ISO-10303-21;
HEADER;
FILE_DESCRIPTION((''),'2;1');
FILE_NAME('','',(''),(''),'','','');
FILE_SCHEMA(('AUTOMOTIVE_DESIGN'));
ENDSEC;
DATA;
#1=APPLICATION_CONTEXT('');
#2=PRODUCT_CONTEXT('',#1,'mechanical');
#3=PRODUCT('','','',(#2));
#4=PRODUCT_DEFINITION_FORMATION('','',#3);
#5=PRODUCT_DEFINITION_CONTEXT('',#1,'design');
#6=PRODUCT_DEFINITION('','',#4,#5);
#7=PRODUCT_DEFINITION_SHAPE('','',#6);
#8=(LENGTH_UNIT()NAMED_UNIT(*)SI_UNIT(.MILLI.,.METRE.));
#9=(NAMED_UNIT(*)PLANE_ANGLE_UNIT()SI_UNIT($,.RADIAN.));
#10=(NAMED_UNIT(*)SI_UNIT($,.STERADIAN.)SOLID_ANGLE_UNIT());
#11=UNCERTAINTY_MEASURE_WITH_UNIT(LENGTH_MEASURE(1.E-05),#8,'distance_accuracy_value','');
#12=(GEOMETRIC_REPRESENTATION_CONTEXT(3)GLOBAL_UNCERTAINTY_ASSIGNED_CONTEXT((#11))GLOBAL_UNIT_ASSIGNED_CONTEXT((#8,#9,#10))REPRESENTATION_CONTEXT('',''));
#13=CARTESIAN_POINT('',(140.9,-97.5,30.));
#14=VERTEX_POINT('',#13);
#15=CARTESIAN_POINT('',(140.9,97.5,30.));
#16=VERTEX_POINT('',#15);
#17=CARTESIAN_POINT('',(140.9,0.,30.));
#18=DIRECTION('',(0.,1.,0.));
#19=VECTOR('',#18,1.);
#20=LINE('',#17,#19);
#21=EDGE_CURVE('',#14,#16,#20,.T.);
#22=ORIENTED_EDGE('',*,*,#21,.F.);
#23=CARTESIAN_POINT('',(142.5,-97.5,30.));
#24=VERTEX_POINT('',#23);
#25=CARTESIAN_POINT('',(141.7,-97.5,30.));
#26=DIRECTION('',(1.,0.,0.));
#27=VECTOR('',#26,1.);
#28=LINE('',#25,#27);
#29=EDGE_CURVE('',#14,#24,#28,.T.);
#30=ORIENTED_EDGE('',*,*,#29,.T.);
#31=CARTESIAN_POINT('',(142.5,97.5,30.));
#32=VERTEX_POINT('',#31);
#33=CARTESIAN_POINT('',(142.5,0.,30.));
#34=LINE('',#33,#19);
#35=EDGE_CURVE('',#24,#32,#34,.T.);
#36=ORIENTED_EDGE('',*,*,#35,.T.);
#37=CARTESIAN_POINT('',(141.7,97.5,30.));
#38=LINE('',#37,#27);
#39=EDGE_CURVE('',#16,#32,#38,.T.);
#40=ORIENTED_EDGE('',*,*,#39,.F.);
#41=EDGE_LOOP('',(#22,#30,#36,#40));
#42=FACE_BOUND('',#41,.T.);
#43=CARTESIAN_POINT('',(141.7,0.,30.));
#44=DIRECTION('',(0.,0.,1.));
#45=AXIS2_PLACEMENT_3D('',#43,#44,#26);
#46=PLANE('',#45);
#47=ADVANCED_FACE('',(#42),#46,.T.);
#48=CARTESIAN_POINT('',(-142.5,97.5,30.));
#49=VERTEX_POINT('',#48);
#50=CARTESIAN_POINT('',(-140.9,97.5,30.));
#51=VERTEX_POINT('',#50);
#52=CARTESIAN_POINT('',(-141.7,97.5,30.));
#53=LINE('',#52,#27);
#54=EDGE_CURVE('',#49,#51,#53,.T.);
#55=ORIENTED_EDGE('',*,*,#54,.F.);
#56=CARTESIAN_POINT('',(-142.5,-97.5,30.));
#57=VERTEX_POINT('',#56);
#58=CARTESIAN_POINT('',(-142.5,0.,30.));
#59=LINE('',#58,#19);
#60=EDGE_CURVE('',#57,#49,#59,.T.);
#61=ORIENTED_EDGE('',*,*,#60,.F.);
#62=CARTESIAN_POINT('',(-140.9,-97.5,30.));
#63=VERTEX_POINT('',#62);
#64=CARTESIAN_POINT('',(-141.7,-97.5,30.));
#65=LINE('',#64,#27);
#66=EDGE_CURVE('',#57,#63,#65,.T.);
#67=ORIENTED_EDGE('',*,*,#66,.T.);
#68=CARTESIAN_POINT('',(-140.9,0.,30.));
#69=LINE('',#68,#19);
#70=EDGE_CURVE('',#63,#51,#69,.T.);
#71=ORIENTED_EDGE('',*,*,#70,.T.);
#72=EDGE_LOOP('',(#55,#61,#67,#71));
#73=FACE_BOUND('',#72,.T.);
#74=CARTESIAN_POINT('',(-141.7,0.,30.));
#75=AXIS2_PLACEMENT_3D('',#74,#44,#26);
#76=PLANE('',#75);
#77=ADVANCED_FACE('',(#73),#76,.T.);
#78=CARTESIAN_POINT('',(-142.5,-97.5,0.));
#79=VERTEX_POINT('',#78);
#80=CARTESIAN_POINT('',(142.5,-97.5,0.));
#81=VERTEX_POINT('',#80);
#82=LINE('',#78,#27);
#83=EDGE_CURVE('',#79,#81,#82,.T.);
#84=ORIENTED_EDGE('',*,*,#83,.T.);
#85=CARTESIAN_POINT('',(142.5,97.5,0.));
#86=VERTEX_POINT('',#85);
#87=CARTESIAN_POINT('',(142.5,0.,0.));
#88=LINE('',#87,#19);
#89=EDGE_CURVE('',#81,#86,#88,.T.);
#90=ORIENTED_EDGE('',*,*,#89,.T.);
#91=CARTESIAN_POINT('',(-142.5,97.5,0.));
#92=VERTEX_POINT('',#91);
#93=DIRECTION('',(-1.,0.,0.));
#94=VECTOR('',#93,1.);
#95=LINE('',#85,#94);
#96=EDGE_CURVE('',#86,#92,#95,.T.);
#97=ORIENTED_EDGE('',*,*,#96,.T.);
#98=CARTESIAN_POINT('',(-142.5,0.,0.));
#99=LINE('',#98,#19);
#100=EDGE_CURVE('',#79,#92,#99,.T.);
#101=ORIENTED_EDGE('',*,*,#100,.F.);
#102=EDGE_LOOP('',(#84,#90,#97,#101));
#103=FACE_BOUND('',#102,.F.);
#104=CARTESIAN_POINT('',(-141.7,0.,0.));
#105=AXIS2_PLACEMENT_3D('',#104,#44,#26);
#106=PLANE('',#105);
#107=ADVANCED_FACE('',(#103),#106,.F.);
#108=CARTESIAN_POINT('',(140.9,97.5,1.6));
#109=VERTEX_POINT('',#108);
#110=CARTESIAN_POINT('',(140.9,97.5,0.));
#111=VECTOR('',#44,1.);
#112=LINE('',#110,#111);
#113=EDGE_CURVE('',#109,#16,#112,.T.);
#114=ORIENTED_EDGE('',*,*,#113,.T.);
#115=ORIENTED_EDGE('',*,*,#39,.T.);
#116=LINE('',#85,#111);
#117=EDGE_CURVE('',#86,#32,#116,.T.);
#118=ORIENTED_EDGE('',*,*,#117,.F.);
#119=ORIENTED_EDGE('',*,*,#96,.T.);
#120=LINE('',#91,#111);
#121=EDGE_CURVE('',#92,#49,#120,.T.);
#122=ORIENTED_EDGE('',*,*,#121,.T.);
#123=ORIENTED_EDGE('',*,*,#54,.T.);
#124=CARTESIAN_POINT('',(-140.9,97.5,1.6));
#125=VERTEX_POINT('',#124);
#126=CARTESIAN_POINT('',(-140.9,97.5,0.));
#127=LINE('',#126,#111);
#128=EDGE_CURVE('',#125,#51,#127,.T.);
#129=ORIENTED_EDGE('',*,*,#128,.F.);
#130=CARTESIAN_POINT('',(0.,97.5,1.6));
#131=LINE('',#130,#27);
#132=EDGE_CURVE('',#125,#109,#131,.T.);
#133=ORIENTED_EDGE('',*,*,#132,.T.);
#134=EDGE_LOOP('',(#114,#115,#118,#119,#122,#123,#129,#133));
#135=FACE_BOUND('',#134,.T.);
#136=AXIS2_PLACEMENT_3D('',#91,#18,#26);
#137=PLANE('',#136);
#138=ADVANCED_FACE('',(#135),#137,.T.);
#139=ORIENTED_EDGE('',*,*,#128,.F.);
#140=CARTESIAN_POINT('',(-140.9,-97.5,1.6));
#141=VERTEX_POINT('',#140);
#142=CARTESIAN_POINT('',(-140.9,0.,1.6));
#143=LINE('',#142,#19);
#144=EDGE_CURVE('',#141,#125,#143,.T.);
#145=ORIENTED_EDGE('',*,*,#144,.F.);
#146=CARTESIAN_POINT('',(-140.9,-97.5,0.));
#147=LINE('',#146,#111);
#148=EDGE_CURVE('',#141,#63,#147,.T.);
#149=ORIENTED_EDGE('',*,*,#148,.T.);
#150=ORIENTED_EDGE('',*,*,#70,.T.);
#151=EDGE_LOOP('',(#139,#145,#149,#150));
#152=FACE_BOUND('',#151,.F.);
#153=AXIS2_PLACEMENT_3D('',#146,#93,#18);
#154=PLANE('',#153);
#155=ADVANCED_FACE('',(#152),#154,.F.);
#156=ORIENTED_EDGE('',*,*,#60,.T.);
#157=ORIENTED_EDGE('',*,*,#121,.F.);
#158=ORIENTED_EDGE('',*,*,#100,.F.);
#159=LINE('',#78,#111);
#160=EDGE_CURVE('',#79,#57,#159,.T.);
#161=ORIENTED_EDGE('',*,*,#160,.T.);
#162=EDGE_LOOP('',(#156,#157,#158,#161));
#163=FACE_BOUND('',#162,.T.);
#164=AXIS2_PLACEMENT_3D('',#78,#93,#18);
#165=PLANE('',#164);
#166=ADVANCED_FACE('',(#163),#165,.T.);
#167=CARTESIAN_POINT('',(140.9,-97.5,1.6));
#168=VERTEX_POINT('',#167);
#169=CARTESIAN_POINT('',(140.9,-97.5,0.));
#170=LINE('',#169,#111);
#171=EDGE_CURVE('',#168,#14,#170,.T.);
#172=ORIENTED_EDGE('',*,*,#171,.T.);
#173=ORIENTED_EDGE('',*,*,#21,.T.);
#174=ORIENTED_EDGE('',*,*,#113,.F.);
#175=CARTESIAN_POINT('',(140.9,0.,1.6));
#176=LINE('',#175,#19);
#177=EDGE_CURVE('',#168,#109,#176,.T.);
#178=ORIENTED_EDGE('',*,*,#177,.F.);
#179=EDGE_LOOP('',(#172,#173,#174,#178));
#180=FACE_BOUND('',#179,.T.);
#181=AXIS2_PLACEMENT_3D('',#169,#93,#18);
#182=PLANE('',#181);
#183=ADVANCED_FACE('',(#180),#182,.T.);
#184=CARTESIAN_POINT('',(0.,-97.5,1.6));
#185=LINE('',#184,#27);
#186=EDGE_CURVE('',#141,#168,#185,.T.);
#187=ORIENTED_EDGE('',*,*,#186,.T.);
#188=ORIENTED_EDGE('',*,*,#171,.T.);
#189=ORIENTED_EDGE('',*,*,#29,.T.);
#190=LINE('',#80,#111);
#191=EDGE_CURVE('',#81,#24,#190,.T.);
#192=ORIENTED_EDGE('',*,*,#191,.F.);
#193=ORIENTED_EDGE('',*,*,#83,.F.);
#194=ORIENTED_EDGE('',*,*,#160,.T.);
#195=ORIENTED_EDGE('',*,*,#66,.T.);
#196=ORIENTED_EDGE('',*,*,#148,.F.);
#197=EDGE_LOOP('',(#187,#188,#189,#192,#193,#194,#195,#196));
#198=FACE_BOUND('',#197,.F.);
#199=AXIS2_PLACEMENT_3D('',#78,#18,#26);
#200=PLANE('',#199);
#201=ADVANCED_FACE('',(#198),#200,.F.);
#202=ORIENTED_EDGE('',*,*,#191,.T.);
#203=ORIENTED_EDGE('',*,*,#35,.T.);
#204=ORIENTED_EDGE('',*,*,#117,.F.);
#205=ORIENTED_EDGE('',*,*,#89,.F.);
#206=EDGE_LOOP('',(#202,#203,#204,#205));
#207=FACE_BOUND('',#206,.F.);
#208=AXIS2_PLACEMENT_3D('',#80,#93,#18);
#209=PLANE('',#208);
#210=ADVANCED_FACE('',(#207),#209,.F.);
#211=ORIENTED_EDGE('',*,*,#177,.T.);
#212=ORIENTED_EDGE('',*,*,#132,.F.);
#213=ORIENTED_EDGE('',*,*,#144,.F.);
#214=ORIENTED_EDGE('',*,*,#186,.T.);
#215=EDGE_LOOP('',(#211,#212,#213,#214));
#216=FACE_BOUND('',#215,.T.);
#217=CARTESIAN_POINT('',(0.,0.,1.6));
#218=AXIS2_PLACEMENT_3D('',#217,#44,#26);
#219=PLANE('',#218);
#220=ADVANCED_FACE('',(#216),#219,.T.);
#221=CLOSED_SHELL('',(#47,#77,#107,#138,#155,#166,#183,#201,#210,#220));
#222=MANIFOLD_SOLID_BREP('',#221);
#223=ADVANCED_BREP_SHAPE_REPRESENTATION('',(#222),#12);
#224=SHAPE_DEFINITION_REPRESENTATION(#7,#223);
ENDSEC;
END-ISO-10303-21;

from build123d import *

# Parameters (mm, degrees)
F0_W     = 281.8
F0_H     = 195
F1_DEPTH = 1.6
F0_W_2   = 1.6
F2_DEPTH = 30


with BuildPart() as f1:
    # F0 (on Top) → F1 (new body)
    with BuildSketch(Plane.XY):
        Rectangle(F0_W, F0_H)
    extrude(amount=F1_DEPTH)

    # F0 (on Top) → F2 (join)
    with BuildSketch(Plane.XY):
        with Locations((-141.7, 0)):
            Rectangle(F0_W_2, F0_H)
        with Locations((141.7, 0)):
            Rectangle(F0_W_2, F0_H)
    extrude(amount=F2_DEPTH)


solid = f1.part
